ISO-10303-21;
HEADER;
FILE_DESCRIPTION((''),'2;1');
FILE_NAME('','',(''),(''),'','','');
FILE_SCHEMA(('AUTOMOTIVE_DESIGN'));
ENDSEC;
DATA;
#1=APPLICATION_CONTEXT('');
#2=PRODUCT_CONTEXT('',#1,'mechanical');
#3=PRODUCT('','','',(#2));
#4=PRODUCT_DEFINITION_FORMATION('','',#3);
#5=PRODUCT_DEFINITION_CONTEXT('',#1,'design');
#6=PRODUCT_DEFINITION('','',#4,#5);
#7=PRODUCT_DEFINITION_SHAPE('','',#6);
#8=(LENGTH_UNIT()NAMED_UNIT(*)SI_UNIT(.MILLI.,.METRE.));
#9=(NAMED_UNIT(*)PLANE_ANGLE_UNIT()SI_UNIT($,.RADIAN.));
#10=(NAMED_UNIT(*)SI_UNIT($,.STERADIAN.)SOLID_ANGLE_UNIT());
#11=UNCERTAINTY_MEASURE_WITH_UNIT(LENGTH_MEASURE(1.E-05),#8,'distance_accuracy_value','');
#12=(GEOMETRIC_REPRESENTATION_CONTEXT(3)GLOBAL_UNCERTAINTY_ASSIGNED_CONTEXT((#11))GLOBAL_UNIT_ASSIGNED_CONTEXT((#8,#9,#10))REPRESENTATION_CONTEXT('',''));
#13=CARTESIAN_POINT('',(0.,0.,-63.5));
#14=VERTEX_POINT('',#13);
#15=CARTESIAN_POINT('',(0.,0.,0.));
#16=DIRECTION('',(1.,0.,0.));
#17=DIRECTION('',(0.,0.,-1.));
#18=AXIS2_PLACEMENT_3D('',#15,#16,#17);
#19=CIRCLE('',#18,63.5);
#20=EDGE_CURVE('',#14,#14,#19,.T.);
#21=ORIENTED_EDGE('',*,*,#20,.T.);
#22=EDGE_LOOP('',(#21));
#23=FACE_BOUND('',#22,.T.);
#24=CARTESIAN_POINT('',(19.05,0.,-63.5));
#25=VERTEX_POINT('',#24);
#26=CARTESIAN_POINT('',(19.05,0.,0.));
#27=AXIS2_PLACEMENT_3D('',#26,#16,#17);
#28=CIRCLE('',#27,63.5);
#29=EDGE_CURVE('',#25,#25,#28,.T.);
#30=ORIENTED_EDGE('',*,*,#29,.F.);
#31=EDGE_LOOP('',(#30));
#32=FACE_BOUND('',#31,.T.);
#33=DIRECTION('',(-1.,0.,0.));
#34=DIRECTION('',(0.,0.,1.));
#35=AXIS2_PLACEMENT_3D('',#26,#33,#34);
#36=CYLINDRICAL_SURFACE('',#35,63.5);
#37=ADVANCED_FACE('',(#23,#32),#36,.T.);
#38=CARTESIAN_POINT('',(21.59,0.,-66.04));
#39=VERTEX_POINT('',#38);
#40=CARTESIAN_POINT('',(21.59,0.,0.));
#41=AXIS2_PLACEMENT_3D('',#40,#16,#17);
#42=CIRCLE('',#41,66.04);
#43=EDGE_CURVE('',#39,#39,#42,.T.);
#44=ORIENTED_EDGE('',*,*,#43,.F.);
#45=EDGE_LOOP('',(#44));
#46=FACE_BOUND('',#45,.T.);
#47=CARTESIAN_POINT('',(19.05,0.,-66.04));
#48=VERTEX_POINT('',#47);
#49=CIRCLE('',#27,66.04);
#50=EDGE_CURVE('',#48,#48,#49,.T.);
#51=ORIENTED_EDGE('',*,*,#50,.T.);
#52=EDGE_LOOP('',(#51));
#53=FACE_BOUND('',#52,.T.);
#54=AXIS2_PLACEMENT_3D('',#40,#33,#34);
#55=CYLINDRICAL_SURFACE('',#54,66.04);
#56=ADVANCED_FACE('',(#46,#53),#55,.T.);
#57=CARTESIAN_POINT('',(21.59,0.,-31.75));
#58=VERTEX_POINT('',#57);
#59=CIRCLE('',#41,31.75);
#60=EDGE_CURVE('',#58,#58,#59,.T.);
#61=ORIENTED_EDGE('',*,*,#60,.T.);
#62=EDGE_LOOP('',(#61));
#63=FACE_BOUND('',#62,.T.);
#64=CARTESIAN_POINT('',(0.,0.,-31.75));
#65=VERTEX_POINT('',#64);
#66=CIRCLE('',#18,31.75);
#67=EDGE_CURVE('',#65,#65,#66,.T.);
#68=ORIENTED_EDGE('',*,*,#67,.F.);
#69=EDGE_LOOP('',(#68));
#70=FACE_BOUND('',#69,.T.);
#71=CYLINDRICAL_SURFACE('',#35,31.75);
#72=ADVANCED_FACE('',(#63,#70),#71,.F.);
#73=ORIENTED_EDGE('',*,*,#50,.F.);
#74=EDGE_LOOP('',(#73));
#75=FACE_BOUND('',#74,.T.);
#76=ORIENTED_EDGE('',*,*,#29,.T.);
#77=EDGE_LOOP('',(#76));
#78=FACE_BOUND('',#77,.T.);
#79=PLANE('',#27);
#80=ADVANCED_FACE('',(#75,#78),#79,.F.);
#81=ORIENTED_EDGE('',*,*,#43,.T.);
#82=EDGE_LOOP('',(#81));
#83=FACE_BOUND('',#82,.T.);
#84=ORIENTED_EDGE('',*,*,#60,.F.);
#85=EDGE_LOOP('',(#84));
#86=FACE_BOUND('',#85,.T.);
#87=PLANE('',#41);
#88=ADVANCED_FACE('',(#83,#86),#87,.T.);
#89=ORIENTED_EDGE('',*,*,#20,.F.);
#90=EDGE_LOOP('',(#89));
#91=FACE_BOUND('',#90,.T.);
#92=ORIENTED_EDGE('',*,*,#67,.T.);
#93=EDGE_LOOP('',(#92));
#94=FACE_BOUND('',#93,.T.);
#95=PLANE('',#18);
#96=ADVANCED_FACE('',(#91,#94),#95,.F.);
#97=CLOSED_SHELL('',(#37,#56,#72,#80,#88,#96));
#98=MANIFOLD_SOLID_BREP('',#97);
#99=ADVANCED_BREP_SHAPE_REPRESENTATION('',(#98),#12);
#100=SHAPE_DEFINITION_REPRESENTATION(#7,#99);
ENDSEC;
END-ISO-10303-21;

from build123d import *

# Parameters (mm, degrees)
CROQUIS1_R              = 63.5
CROQUIS1_R_2            = 31.75
SALIENTE_EXTRUIR1_DEPTH = 19.05
CROQUIS2_R              = 66.04
CROQUIS2_R_2            = 31.75
SALIENTE_EXTRUIR3_DEPTH = 2.54


with BuildPart() as part:
    # Croquis1 → Saliente-Extruir1 (new body)
    with BuildSketch(Plane(origin=(0, 0, 0), x_dir=(0, 0, -1), z_dir=(1, 0, 0))):
        Circle(CROQUIS1_R)
        Circle(CROQUIS1_R_2, mode=Mode.SUBTRACT)
    extrude(amount=SALIENTE_EXTRUIR1_DEPTH)

    # Croquis2 → Saliente-Extruir3 (add)
    with BuildSketch(Plane(origin=(19.05, 0, 0), x_dir=(0, 0, -1), z_dir=(1, 0, 0))):
        Circle(CROQUIS2_R)
        Circle(CROQUIS2_R_2, mode=Mode.SUBTRACT)
    extrude(amount=SALIENTE_EXTRUIR3_DEPTH)


solid = part.part
